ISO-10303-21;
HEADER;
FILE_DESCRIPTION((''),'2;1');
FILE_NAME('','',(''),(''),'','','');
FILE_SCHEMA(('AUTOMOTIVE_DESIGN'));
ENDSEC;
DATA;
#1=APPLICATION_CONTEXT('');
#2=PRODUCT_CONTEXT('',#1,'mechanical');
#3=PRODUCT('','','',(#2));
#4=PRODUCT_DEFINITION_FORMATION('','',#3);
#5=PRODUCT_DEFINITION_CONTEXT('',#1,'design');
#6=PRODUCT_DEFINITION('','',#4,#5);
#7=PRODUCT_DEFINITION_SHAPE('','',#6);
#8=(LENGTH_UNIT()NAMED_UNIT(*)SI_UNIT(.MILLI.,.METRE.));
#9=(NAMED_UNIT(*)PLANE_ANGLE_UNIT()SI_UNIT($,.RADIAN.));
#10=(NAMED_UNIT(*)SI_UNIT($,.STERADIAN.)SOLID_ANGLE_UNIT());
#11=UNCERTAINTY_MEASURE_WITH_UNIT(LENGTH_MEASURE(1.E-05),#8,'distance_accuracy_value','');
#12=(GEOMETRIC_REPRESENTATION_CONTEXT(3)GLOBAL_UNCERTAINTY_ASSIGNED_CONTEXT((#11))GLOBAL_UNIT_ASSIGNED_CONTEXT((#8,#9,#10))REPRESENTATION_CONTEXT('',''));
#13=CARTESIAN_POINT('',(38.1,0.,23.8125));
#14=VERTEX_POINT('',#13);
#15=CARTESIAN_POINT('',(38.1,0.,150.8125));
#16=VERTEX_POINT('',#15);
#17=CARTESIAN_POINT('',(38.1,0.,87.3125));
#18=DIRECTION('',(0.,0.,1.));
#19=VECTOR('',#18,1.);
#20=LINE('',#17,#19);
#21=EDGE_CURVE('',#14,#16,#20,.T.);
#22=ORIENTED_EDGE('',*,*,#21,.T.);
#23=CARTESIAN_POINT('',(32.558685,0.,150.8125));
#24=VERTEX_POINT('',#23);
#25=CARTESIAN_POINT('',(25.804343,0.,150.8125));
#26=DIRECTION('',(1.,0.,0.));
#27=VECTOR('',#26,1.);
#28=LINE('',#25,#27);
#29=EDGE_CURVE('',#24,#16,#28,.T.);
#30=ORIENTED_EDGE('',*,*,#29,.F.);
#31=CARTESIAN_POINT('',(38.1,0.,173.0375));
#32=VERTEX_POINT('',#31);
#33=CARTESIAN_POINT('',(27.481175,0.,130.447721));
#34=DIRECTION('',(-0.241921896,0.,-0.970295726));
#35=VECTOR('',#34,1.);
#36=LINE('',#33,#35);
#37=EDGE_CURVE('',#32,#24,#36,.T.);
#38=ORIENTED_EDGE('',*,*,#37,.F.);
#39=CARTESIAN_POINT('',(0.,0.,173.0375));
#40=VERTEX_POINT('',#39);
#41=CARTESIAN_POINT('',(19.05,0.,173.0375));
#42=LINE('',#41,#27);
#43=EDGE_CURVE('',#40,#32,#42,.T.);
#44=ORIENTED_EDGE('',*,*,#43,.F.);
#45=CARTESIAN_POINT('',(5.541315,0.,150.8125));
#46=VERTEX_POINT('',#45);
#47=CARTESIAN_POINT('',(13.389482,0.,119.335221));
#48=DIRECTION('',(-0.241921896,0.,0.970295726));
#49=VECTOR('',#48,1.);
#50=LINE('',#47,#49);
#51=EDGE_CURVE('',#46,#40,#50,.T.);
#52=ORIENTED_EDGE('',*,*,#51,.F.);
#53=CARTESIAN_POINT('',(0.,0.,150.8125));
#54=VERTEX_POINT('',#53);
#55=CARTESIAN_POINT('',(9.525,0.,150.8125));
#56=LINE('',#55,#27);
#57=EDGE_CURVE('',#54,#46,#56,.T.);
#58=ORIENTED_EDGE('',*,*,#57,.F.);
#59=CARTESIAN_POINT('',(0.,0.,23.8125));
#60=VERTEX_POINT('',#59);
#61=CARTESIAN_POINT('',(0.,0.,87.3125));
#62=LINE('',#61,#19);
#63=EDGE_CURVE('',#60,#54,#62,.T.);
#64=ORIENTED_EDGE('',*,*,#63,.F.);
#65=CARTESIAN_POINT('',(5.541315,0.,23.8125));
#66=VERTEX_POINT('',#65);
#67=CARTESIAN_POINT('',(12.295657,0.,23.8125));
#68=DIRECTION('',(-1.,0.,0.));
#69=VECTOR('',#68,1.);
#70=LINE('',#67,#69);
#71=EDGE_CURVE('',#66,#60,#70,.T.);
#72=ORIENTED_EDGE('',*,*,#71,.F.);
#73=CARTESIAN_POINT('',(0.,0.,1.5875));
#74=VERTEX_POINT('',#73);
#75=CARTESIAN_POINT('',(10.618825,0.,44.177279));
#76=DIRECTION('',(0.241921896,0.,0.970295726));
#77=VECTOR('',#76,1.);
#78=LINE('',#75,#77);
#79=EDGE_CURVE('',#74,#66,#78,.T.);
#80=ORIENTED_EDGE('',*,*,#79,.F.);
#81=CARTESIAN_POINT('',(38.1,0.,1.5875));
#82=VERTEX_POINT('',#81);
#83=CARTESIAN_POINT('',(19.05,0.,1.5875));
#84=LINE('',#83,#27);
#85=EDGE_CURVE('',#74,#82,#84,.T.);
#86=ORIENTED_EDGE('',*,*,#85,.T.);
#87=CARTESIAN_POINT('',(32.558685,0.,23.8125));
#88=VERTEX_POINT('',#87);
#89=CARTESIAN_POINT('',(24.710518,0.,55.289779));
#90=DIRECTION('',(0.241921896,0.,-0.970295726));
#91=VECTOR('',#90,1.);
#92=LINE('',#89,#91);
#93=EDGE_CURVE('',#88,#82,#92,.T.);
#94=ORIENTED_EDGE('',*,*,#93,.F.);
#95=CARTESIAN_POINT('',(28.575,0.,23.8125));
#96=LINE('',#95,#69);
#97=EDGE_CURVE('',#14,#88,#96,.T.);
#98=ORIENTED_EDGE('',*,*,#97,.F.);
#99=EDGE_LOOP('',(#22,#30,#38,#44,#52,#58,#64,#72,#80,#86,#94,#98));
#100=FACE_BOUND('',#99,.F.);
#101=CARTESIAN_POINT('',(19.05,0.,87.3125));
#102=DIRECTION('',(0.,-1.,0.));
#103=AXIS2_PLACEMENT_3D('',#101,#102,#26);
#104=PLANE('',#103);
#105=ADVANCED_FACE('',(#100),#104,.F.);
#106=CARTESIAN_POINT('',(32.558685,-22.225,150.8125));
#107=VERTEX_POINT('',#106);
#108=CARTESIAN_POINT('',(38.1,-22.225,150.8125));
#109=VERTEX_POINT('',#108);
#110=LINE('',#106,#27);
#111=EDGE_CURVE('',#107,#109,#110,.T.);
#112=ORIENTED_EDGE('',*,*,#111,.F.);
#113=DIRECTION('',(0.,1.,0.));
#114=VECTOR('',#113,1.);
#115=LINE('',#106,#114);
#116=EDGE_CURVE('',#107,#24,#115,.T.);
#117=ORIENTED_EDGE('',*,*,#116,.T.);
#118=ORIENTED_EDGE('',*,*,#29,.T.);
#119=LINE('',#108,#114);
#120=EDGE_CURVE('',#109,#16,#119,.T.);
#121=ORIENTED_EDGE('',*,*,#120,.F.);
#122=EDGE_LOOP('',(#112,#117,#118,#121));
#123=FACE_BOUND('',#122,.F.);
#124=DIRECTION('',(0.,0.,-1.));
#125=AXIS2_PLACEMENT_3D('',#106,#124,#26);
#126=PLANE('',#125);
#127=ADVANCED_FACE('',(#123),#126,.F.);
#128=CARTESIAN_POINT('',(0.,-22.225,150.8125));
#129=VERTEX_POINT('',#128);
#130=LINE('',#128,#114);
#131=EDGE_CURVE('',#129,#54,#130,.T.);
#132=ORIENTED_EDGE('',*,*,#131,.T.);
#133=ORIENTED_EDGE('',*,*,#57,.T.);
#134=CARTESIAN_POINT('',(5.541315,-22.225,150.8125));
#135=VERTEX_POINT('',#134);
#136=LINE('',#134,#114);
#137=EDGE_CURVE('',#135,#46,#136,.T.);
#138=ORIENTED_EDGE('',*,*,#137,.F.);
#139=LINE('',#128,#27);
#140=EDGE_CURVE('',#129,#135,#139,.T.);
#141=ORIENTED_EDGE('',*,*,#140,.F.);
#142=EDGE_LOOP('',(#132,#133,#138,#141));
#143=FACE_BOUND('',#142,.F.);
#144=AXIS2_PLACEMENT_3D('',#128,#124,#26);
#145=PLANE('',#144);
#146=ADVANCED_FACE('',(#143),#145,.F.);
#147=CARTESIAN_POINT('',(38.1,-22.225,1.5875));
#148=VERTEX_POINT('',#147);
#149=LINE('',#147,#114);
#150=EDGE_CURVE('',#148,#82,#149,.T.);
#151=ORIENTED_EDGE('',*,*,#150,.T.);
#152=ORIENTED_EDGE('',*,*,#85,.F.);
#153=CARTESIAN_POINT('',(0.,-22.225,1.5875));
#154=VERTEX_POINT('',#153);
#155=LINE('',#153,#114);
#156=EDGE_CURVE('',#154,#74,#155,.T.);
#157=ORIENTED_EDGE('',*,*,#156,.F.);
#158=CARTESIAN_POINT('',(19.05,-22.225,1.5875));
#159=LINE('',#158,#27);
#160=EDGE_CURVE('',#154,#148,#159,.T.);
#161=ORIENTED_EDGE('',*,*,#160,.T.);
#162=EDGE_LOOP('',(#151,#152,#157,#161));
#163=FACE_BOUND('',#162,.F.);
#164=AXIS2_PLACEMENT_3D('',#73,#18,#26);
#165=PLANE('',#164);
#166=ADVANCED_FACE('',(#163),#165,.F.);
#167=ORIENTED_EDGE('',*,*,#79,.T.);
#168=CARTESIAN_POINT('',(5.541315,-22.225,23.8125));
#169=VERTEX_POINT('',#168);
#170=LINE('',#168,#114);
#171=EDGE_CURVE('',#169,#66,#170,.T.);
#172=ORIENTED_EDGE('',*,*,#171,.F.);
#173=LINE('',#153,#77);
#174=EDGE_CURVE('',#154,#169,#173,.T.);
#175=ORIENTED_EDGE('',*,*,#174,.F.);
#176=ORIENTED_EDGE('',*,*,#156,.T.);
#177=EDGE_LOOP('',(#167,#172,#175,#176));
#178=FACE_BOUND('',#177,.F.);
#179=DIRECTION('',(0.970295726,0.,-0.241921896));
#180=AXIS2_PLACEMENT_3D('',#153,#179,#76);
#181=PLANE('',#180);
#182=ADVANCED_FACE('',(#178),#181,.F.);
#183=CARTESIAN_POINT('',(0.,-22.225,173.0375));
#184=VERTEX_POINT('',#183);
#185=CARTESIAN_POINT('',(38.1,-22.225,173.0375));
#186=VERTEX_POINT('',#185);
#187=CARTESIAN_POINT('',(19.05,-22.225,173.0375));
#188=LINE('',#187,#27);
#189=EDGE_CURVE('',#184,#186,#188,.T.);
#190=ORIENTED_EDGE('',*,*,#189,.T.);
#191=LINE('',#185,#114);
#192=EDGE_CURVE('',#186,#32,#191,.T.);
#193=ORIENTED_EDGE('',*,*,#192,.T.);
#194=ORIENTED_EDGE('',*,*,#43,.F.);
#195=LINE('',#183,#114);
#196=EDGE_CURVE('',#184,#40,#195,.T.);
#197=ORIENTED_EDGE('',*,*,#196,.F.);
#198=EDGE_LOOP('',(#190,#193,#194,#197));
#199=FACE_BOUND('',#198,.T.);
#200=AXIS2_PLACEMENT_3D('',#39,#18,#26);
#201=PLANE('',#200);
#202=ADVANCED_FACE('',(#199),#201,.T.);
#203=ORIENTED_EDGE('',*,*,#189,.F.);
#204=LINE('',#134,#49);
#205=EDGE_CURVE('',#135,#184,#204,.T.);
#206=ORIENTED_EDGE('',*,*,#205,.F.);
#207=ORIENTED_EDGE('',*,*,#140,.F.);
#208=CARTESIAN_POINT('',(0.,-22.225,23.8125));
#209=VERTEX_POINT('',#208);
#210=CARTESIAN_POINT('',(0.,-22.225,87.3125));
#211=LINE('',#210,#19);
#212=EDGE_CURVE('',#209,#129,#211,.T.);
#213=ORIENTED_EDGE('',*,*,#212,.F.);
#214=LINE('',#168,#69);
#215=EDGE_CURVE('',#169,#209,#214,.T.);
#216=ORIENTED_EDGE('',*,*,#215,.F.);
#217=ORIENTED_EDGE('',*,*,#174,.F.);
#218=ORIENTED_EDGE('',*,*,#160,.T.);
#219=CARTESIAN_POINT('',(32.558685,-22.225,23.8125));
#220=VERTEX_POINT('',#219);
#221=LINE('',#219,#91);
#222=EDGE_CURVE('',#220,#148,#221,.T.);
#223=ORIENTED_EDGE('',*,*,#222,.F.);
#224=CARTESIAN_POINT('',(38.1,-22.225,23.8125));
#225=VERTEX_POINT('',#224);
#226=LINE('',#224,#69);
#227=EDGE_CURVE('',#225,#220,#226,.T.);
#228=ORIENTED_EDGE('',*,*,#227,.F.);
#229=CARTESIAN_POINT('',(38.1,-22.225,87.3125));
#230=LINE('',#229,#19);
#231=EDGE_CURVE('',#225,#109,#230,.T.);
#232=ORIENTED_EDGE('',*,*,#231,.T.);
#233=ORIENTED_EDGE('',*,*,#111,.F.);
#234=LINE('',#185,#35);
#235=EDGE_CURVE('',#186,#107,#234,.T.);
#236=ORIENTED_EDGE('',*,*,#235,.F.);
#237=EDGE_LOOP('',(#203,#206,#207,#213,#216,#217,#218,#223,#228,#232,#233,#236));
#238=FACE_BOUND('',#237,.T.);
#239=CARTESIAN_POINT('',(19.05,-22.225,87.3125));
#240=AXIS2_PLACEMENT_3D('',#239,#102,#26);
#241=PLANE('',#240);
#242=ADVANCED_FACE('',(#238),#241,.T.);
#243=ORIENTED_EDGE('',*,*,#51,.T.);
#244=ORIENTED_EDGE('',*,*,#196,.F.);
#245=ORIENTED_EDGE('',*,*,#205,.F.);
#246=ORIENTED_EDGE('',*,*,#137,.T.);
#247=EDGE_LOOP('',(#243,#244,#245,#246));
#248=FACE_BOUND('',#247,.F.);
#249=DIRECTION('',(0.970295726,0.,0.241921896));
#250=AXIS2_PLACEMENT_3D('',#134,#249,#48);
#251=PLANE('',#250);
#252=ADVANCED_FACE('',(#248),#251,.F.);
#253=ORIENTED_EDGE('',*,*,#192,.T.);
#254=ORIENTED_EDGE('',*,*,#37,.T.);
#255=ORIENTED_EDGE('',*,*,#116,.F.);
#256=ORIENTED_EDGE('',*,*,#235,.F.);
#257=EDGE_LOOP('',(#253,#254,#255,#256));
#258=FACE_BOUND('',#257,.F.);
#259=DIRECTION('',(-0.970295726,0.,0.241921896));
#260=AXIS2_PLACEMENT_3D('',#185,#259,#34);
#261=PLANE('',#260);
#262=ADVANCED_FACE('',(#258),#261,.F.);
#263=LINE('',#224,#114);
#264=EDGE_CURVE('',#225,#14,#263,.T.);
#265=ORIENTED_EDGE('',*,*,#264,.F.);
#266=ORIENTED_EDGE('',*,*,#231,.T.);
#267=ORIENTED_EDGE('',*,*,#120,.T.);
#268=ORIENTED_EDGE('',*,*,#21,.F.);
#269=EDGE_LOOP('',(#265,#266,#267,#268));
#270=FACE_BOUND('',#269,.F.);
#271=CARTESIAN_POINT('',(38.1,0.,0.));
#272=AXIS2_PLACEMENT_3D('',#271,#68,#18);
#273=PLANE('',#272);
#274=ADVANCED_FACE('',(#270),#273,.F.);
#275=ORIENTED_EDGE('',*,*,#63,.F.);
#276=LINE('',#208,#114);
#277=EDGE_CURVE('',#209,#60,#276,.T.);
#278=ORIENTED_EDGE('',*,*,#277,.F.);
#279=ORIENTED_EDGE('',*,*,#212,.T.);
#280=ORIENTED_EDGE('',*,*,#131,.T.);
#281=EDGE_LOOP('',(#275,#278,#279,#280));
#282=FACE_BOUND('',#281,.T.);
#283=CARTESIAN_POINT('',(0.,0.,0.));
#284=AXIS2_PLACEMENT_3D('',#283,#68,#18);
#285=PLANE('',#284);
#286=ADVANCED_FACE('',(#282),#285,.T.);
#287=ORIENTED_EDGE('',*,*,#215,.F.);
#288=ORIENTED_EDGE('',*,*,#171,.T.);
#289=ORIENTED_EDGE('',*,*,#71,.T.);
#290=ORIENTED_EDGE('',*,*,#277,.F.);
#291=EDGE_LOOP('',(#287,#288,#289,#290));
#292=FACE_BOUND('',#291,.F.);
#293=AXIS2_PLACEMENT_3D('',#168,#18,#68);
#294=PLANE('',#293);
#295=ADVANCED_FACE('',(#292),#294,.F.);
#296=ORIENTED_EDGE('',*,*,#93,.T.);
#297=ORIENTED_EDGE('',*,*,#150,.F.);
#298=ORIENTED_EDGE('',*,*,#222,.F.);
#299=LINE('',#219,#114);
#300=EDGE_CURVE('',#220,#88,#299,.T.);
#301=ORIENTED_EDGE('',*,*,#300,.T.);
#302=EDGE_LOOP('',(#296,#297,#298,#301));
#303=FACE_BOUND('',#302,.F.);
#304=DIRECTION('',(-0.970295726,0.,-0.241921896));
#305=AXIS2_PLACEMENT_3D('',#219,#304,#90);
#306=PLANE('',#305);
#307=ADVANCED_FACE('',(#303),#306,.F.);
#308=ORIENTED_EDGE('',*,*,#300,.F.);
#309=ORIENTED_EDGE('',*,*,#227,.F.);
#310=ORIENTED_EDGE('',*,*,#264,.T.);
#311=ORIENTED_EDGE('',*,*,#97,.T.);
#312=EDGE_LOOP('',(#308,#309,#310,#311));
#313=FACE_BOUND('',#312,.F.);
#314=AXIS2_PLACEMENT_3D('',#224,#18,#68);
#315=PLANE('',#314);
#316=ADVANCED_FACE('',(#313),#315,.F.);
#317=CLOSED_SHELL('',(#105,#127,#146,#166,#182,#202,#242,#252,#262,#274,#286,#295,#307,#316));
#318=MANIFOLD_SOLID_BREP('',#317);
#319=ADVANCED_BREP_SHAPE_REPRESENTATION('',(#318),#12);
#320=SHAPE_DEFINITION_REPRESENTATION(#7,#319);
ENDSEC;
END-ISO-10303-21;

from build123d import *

# Parameters (mm, degrees)
F0_W     = 38.1
F0_H     = 174.625
F1_DEPTH = 22.225
F3_DEPTH = 22.226
F4_DEPTH = 1.5875
F5_DEPTH = 1.5875


with BuildPart() as f1:
    # F0 (on Front) → F1 (new body)
    with BuildSketch(Plane.XZ):
        with Locations((19.05, 87.3125)):
            Rectangle(F0_W, F0_H)
    extrude(amount=F1_DEPTH)

    # F2 (on face) → F3 (cut, through all)
    with BuildSketch(Plane.XZ.offset(22.225)):
        Polygon((5.5413148632, 150.8125), (0, 173.0375), (0, 150.8125), align=None)
        Polygon((38.1, 150.8125), (38.1, 173.0375), (32.5586851368, 150.8125), align=None)
        Polygon((5.5413148632, 23.8125), (0, 23.8125), (0, 1.5875), align=None)
        Polygon((38.1, 1.5875), (38.1, 23.8125), (32.5586851368, 23.8125), align=None)
    extrude(amount=-F3_DEPTH, mode=Mode.SUBTRACT)

    # F4 (cut): a face of the model
    f4_faces = [f1.faces().sort_by_distance(p)[0] for p in [
        (19.05, -11.1125, 174.625),
    ]]
    extrude(f4_faces, amount=-F4_DEPTH, mode=Mode.SUBTRACT)

    # F5 (cut): a face of the model
    f5_faces = [f1.faces().sort_by_distance(p)[0] for p in [
        (19.05, -11.1125, 0),
    ]]
    extrude(f5_faces, amount=-F5_DEPTH, mode=Mode.SUBTRACT)


solid = f1.part
